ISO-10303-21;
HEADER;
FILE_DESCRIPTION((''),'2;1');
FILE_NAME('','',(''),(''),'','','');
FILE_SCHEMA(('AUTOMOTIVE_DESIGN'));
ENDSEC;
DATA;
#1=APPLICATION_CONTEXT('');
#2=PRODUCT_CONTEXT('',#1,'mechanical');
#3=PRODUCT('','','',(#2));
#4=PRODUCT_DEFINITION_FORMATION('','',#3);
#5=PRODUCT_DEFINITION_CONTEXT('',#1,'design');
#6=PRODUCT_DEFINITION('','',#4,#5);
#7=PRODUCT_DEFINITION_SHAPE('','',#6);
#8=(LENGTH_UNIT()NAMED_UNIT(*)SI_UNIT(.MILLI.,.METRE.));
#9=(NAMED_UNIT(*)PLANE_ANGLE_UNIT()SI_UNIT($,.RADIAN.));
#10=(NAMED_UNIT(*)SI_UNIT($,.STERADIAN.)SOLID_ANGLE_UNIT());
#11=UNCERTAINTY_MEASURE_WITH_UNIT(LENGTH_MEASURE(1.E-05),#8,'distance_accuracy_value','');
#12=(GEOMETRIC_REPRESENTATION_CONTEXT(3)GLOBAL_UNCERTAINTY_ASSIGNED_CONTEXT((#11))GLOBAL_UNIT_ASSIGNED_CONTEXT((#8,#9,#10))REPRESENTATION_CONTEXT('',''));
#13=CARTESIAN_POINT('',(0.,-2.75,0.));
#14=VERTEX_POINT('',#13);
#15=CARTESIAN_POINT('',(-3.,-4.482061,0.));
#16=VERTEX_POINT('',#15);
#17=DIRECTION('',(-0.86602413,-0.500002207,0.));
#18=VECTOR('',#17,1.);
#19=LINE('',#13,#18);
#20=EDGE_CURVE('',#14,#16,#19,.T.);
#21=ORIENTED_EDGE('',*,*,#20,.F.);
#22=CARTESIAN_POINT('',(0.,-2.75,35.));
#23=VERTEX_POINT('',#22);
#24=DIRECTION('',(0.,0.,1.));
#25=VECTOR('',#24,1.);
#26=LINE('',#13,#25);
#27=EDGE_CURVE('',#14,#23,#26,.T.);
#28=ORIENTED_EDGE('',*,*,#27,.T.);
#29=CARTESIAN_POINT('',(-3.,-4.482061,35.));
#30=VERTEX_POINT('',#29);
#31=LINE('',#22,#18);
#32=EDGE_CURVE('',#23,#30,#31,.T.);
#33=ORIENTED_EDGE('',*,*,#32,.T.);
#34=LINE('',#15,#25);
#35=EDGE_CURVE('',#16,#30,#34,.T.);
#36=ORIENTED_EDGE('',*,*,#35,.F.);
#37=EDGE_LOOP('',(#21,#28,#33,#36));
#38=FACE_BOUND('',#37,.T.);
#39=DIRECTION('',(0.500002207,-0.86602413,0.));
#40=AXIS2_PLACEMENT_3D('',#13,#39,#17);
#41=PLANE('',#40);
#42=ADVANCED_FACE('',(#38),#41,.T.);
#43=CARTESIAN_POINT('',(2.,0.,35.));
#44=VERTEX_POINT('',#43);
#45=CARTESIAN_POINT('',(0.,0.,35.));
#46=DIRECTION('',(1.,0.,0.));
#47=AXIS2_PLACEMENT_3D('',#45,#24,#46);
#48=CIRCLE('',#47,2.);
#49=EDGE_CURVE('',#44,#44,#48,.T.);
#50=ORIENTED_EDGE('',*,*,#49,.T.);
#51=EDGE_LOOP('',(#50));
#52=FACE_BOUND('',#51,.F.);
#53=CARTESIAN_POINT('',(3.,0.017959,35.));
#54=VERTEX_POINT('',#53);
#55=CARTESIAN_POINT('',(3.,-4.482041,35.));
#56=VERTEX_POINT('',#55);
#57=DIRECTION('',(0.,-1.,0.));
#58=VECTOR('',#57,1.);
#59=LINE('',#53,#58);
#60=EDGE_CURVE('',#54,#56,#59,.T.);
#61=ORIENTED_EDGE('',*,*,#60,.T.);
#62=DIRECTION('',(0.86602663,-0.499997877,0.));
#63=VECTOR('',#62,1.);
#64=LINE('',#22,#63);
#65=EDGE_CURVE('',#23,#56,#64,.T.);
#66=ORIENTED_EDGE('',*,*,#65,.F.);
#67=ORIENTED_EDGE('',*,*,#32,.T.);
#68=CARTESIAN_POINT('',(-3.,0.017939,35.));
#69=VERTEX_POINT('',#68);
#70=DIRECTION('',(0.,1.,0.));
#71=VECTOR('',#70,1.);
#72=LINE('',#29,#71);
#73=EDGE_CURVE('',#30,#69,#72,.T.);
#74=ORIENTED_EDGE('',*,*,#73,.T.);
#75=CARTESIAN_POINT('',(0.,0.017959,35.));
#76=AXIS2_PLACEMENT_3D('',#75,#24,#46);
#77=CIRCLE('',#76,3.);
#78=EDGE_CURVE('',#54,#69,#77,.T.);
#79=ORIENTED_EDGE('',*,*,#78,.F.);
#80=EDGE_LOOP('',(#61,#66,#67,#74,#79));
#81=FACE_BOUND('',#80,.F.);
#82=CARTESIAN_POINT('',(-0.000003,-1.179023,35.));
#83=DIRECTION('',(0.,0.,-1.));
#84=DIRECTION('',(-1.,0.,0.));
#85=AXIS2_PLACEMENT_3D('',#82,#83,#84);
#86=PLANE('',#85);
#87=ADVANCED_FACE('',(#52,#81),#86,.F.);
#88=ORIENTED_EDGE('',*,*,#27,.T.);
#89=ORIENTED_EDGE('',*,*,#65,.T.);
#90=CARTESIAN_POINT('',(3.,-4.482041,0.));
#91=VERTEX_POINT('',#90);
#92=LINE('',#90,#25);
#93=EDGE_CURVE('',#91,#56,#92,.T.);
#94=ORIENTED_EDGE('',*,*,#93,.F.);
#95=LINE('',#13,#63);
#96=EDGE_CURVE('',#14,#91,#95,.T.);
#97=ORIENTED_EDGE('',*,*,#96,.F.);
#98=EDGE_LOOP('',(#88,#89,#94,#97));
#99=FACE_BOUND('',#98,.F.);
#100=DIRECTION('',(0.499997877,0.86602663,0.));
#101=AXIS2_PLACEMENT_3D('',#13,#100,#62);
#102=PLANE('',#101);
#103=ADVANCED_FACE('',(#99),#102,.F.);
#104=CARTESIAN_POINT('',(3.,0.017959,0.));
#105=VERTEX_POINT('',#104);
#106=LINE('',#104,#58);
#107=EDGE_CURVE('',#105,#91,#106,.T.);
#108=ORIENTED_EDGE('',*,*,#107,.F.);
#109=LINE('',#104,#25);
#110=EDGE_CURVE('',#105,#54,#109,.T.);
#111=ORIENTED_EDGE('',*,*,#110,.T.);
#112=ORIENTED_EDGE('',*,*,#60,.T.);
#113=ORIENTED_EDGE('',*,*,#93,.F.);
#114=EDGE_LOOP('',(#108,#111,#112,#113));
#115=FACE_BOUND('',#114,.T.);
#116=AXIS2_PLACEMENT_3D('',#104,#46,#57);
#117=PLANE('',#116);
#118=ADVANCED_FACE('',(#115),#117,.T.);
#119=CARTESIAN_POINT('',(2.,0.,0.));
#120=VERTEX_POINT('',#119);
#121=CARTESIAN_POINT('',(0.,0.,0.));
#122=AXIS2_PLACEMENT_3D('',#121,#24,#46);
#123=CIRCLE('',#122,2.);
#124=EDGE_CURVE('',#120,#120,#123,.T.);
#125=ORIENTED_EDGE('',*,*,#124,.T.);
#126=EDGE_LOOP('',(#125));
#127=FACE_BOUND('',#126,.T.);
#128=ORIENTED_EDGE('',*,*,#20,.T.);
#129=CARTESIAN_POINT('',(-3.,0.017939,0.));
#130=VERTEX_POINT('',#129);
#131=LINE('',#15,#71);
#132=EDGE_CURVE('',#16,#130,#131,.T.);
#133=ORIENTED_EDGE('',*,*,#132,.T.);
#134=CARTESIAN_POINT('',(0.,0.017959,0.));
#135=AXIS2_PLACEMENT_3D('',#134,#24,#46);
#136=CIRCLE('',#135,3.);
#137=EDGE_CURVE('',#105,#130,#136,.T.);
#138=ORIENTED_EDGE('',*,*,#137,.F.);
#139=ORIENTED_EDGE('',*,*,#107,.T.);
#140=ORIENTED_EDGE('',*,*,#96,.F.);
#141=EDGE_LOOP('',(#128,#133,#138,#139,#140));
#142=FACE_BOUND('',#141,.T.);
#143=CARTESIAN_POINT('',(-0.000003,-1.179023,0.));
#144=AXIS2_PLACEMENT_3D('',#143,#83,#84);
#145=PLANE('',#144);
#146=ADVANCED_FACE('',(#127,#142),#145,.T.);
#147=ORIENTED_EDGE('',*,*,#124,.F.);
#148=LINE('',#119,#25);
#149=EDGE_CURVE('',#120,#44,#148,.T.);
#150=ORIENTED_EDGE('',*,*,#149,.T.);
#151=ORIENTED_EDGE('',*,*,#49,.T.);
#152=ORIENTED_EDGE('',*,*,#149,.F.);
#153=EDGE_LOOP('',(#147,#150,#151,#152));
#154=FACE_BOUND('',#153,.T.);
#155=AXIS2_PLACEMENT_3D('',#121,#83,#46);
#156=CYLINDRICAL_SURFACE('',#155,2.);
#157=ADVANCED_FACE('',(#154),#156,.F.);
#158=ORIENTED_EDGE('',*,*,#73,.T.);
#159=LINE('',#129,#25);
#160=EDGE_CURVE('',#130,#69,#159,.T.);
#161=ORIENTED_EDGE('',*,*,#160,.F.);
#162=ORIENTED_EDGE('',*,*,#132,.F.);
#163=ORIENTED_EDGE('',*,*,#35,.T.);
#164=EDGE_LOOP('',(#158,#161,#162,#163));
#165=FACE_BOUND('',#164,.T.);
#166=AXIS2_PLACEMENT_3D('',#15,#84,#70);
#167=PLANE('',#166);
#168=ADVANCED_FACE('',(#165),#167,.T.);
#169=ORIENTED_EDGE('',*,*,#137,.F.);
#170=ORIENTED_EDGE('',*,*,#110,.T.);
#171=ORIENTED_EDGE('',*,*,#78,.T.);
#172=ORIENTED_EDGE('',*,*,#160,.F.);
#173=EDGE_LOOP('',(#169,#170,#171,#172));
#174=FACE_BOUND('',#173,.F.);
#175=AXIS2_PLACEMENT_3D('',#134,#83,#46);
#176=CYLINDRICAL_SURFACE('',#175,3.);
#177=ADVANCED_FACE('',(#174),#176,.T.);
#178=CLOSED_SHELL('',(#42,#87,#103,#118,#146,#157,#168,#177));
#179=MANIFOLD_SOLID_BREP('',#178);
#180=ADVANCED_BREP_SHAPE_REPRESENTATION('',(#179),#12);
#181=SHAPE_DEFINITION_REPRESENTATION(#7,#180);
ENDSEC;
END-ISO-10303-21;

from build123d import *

# Parameters (mm, degrees)
SKETCH_R  = 2
PAD_DEPTH = 35


with BuildPart() as part:
    # Sketch → Pad (new body)
    with BuildSketch(Plane.XY):
        with BuildLine():
            Line((3, 0.017959), (3, -4.482041))
            Line((0, -2.75), (3, -4.482041))
            Line((0, -2.75), (-3, -4.482061))
            Line((-3, -4.482061), (-3, 0.017939))
            ThreePointArc((3, 0.017959), (-1e-05, 3.017959), (-3, 0.017939))
        make_face()
        Circle(SKETCH_R, mode=Mode.SUBTRACT)
    extrude(amount=PAD_DEPTH)


solid = part.part
